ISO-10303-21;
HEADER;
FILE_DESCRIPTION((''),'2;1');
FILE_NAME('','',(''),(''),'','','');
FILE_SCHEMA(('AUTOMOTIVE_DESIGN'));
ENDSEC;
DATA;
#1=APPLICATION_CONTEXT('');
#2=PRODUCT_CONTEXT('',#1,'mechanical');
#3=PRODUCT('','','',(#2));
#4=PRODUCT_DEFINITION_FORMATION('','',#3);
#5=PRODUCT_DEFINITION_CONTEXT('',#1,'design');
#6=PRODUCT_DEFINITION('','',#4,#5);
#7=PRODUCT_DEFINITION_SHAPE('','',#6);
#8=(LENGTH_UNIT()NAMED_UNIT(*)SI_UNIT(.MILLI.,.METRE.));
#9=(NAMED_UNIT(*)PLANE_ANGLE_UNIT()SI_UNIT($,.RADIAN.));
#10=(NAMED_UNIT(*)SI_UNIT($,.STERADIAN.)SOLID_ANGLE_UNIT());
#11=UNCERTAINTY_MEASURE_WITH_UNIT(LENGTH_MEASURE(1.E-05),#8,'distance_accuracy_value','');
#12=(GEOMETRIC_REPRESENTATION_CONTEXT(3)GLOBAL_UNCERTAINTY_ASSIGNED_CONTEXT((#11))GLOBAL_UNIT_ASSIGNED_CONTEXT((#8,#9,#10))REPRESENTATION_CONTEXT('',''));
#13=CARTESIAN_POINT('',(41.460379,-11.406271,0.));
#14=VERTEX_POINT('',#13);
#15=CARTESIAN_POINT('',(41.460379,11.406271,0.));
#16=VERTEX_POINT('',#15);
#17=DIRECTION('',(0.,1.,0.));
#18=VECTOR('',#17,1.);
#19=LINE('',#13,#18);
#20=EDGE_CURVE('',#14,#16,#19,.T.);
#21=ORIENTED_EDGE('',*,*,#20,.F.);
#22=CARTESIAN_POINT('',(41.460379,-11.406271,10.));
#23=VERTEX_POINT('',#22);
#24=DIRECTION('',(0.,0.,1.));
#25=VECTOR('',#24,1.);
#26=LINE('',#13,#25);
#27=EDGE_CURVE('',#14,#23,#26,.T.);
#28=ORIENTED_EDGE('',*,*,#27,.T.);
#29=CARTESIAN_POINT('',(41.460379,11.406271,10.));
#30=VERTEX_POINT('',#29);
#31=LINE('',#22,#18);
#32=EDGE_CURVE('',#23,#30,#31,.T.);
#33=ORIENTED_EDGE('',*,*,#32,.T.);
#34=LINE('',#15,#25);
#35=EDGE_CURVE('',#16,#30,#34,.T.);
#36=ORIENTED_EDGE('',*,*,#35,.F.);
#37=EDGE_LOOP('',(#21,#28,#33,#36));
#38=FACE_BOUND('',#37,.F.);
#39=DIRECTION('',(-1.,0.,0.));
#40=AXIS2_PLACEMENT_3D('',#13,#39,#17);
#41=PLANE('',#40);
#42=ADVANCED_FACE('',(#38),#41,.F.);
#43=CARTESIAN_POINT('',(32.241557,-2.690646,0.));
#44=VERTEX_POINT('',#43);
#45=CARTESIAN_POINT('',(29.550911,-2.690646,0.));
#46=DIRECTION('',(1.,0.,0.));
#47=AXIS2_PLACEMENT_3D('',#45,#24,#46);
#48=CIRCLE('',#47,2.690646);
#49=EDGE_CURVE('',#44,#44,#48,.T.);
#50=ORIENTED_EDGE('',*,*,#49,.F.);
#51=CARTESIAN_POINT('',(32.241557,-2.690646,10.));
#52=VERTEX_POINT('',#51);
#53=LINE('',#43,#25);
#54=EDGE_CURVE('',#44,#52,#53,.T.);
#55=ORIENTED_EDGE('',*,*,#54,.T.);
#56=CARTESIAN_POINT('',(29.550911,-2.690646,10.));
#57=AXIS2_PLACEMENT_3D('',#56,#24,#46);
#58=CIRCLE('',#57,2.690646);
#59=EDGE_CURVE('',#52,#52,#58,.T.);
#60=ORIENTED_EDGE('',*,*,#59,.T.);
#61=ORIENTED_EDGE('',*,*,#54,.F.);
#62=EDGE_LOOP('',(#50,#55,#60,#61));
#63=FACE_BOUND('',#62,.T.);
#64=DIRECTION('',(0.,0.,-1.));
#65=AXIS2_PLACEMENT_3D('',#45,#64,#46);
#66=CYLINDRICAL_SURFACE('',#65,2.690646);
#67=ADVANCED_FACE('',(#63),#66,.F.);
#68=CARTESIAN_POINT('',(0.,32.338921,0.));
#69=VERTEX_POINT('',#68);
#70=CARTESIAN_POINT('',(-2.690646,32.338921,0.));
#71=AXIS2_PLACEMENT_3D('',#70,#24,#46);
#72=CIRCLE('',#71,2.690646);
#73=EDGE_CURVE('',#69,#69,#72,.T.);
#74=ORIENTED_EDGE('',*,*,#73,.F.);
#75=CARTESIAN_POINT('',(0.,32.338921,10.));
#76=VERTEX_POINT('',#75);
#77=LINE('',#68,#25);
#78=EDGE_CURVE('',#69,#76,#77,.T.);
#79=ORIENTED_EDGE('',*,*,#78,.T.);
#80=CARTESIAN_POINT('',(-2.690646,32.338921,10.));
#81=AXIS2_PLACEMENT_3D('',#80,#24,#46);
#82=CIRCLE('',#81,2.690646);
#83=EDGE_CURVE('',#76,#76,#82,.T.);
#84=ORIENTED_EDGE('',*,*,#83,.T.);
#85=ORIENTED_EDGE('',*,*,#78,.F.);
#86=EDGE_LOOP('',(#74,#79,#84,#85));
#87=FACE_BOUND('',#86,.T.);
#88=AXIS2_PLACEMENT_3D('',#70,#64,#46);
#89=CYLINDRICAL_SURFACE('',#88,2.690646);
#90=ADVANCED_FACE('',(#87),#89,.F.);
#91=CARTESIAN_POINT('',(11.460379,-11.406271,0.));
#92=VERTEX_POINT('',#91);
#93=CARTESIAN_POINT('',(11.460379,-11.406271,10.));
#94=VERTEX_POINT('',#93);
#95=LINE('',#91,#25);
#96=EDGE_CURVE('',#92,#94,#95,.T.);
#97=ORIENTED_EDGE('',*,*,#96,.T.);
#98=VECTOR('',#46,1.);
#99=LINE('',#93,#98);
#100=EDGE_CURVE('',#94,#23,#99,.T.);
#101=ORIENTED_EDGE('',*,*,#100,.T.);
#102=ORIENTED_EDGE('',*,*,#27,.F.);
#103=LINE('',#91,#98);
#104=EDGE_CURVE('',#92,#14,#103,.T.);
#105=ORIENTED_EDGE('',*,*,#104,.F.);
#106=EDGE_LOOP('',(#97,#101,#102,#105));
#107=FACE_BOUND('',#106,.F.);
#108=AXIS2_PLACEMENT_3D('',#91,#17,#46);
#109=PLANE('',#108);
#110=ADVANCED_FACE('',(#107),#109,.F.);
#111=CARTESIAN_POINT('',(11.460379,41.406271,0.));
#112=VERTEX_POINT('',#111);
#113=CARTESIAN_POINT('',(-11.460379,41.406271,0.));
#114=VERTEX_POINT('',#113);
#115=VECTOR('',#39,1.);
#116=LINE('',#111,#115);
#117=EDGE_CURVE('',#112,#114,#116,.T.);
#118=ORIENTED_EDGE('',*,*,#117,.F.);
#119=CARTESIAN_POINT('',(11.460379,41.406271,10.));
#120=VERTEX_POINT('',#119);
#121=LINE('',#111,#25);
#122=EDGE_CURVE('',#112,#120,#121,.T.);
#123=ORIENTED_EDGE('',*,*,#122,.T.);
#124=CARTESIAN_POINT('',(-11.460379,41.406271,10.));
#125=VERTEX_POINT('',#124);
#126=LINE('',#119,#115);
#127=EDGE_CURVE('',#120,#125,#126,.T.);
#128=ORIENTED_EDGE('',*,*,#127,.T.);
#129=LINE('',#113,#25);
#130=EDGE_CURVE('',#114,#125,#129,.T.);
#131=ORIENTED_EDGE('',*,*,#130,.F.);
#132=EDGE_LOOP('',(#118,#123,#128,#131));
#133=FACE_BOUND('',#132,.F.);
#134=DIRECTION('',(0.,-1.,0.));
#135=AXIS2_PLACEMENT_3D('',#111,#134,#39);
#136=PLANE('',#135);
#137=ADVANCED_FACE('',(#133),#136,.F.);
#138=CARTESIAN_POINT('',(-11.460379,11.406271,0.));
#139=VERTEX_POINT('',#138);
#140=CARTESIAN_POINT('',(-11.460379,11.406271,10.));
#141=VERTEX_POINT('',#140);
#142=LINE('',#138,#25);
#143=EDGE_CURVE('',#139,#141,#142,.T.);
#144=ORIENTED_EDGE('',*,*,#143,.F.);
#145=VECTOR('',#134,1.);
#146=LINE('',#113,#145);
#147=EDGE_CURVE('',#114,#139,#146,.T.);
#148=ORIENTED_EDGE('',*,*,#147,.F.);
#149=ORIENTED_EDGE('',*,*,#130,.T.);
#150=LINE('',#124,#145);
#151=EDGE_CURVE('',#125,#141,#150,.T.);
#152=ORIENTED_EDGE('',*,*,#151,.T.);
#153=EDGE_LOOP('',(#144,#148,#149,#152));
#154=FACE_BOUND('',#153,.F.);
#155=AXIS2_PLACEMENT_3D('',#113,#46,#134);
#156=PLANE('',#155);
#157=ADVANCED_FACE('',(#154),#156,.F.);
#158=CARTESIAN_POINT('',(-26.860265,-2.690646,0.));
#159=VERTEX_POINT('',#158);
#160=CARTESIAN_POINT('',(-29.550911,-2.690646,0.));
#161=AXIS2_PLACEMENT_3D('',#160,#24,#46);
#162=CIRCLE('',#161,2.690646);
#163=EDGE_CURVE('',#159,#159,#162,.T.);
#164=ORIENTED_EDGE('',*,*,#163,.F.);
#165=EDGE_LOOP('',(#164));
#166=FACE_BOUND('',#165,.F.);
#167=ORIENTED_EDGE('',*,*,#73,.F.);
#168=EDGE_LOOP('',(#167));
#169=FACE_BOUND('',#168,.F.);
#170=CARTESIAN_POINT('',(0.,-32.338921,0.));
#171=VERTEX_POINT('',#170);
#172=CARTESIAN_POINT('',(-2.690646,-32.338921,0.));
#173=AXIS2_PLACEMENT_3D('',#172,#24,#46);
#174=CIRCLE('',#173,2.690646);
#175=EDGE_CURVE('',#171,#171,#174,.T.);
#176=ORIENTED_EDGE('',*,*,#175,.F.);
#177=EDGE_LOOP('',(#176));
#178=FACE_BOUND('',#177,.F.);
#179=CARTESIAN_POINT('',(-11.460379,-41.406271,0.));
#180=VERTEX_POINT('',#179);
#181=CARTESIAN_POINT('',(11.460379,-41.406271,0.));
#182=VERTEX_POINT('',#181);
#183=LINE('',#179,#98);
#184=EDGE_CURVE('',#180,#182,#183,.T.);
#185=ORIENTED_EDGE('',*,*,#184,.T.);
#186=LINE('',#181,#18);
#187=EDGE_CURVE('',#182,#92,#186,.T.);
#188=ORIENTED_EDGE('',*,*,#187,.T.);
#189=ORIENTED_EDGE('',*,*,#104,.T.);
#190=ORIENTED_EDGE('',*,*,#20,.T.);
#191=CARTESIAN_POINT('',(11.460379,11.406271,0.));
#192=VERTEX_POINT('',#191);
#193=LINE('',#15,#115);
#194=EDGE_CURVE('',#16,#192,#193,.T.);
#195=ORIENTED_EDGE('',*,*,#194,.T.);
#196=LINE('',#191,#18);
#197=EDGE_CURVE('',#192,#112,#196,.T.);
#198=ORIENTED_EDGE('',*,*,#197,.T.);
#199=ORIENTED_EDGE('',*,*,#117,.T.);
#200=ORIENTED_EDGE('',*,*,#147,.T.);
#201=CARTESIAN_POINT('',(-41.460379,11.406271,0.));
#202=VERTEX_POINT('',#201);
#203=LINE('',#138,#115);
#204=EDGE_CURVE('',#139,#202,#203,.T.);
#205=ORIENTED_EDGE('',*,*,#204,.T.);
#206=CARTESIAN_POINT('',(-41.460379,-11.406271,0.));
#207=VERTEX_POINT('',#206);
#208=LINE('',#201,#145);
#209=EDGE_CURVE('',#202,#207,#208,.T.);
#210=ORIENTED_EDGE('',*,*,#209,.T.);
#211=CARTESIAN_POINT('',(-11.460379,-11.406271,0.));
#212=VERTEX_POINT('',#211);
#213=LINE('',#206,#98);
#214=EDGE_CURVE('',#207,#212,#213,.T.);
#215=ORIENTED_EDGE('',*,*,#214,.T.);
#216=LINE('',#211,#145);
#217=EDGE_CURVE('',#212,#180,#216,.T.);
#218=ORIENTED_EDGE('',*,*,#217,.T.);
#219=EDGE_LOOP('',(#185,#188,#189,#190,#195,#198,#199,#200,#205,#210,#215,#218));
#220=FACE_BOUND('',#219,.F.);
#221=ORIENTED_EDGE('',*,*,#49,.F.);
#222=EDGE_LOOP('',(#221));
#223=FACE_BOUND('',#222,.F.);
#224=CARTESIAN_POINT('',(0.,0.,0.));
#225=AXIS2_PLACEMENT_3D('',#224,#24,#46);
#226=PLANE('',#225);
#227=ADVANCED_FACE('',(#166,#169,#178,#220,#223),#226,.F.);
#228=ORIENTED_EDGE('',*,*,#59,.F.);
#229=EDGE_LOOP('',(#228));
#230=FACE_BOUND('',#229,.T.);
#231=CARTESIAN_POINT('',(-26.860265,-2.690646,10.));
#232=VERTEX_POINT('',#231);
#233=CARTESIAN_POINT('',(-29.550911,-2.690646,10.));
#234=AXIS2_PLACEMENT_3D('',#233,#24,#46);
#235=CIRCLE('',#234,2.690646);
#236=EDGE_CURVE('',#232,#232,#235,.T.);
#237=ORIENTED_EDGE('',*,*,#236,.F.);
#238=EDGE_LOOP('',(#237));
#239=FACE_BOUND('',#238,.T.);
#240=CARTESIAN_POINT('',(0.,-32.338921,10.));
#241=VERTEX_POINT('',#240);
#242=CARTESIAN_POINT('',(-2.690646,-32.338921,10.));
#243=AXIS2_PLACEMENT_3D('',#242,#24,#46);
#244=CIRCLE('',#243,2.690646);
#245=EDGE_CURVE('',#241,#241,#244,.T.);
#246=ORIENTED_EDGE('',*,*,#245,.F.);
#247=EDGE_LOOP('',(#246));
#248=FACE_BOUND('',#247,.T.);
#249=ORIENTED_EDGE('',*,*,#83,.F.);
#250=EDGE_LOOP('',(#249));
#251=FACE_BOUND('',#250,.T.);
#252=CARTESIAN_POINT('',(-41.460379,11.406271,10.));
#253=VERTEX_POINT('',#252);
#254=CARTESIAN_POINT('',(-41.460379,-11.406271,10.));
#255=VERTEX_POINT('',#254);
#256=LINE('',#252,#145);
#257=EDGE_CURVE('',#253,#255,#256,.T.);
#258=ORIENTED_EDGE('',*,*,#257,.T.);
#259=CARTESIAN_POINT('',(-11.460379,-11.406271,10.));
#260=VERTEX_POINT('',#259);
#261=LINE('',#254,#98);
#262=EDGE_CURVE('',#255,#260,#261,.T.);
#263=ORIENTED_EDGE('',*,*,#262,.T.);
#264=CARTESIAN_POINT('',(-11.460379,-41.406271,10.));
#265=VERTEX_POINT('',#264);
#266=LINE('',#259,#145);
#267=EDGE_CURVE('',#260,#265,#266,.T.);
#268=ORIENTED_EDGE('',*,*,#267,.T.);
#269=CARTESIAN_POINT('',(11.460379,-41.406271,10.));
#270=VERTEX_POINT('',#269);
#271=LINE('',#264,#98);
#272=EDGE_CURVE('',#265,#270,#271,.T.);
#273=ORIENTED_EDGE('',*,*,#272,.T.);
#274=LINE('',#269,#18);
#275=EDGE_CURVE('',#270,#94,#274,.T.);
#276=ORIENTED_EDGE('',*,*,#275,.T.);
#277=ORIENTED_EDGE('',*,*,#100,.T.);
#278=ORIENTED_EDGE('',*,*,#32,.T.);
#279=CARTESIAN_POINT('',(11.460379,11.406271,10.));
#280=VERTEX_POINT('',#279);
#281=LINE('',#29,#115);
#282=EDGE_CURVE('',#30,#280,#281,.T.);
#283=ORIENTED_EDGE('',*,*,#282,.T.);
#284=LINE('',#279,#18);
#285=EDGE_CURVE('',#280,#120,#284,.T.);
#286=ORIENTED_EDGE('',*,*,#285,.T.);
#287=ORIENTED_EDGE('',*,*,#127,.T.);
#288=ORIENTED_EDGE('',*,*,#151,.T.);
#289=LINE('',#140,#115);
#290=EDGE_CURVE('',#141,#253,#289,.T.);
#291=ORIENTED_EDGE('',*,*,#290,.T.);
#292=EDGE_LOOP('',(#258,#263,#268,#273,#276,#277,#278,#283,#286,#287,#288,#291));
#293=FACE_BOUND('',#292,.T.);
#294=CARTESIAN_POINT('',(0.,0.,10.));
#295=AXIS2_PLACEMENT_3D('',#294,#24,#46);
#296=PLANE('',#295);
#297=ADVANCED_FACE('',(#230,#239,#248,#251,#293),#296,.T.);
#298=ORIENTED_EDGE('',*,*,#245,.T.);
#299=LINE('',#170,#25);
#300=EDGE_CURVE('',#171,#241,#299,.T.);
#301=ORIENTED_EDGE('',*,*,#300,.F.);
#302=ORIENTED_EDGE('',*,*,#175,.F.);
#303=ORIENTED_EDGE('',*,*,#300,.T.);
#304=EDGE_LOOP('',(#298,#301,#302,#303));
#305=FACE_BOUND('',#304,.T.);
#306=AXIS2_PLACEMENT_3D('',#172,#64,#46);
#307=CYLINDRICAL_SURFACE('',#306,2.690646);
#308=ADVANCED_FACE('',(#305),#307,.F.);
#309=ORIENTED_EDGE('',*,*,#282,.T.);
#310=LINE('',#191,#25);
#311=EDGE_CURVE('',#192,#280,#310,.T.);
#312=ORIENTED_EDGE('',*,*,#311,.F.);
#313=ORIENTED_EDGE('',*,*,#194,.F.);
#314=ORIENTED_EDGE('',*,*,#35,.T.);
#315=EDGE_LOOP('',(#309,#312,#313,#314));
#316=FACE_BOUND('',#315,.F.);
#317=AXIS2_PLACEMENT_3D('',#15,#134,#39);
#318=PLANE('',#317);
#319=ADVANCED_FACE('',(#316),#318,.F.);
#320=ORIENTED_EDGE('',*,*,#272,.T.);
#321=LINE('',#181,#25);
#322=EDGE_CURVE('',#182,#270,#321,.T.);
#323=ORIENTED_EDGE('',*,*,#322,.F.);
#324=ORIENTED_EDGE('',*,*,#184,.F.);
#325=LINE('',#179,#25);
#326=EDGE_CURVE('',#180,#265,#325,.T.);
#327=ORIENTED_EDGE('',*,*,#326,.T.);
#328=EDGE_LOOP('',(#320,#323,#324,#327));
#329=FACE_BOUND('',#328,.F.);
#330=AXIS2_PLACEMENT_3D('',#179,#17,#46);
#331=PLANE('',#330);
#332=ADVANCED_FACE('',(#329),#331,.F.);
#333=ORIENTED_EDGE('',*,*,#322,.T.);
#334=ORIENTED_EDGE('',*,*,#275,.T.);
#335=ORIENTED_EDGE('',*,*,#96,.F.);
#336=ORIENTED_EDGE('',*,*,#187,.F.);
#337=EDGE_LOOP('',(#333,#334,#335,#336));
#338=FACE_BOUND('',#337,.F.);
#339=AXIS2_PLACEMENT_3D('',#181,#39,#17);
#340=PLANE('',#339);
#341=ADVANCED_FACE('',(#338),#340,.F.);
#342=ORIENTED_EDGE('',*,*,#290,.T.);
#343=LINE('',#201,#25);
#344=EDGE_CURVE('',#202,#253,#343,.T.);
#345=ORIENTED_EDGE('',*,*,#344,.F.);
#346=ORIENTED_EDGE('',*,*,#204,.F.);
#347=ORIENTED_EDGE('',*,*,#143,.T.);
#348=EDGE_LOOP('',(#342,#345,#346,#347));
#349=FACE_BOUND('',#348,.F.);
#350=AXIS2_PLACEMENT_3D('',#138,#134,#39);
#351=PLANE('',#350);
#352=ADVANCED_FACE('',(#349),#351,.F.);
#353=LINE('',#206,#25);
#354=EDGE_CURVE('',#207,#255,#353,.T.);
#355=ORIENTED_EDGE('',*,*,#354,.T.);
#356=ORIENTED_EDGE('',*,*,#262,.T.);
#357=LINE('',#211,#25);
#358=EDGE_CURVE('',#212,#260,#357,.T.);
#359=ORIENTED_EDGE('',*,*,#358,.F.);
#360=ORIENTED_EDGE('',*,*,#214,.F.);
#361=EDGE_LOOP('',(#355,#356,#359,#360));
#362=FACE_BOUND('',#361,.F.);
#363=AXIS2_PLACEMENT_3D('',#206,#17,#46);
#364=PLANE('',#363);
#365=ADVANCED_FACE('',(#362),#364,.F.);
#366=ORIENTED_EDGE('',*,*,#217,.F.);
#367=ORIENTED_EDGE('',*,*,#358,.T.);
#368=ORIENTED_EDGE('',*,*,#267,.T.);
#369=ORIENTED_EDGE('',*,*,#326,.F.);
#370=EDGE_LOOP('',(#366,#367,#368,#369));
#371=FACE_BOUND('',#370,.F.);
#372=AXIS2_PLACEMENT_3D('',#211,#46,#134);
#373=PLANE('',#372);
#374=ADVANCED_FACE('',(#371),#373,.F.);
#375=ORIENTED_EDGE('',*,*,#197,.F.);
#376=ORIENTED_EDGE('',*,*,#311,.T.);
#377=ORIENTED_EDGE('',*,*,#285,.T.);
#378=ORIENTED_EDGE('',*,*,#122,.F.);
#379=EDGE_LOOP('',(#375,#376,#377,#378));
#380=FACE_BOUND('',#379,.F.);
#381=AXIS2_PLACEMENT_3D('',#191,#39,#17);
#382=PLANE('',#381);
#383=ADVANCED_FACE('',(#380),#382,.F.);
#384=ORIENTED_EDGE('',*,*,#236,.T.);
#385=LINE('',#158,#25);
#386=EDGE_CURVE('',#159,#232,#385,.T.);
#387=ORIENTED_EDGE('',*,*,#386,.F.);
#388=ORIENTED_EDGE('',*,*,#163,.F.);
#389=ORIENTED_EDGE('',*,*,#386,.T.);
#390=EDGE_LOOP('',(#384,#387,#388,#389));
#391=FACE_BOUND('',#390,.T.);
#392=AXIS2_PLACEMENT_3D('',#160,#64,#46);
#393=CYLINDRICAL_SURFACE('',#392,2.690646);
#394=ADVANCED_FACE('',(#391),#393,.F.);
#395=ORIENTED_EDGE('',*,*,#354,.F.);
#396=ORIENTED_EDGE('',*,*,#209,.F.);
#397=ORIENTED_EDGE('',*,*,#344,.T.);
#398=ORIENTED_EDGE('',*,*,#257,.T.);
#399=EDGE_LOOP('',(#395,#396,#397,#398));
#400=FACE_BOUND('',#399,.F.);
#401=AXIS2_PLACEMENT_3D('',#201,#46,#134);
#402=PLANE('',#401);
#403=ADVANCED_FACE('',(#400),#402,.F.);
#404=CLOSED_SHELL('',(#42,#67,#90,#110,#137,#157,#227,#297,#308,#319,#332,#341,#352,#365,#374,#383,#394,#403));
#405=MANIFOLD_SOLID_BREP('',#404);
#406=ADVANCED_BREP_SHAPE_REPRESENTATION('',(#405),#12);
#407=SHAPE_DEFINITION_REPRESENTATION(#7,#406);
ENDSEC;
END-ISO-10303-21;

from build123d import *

# Parameters (mm, degrees)
SKETCH_R  = 2.690646
PAD_DEPTH = 10


with BuildPart() as part:
    # Sketch → Pad (new body)
    with BuildSketch(Plane.XY):
        Polygon((11.460379, 11.406271), (11.460379, 41.406271), (-11.460379, 41.406271), (-11.460379, 11.406271), (-41.460379, 11.406271), (-41.460379, -11.406271), (-11.460379, -11.406271), (-11.460379, -41.406271), (11.460379, -41.406271), (11.460379, -11.406271), (41.460379, -11.406271), (41.460379, 11.406271), align=None)
        with Locations((29.550911, -2.690646)):
            Circle(SKETCH_R, mode=Mode.SUBTRACT)
        with Locations((-2.690646, -32.338921)):
            Circle(SKETCH_R, mode=Mode.SUBTRACT)
        with Locations((-29.550911, -2.690646)):
            Circle(SKETCH_R, mode=Mode.SUBTRACT)
        with Locations((-2.690646, 32.338921)):
            Circle(SKETCH_R, mode=Mode.SUBTRACT)
    extrude(amount=PAD_DEPTH)


solid = part.part
